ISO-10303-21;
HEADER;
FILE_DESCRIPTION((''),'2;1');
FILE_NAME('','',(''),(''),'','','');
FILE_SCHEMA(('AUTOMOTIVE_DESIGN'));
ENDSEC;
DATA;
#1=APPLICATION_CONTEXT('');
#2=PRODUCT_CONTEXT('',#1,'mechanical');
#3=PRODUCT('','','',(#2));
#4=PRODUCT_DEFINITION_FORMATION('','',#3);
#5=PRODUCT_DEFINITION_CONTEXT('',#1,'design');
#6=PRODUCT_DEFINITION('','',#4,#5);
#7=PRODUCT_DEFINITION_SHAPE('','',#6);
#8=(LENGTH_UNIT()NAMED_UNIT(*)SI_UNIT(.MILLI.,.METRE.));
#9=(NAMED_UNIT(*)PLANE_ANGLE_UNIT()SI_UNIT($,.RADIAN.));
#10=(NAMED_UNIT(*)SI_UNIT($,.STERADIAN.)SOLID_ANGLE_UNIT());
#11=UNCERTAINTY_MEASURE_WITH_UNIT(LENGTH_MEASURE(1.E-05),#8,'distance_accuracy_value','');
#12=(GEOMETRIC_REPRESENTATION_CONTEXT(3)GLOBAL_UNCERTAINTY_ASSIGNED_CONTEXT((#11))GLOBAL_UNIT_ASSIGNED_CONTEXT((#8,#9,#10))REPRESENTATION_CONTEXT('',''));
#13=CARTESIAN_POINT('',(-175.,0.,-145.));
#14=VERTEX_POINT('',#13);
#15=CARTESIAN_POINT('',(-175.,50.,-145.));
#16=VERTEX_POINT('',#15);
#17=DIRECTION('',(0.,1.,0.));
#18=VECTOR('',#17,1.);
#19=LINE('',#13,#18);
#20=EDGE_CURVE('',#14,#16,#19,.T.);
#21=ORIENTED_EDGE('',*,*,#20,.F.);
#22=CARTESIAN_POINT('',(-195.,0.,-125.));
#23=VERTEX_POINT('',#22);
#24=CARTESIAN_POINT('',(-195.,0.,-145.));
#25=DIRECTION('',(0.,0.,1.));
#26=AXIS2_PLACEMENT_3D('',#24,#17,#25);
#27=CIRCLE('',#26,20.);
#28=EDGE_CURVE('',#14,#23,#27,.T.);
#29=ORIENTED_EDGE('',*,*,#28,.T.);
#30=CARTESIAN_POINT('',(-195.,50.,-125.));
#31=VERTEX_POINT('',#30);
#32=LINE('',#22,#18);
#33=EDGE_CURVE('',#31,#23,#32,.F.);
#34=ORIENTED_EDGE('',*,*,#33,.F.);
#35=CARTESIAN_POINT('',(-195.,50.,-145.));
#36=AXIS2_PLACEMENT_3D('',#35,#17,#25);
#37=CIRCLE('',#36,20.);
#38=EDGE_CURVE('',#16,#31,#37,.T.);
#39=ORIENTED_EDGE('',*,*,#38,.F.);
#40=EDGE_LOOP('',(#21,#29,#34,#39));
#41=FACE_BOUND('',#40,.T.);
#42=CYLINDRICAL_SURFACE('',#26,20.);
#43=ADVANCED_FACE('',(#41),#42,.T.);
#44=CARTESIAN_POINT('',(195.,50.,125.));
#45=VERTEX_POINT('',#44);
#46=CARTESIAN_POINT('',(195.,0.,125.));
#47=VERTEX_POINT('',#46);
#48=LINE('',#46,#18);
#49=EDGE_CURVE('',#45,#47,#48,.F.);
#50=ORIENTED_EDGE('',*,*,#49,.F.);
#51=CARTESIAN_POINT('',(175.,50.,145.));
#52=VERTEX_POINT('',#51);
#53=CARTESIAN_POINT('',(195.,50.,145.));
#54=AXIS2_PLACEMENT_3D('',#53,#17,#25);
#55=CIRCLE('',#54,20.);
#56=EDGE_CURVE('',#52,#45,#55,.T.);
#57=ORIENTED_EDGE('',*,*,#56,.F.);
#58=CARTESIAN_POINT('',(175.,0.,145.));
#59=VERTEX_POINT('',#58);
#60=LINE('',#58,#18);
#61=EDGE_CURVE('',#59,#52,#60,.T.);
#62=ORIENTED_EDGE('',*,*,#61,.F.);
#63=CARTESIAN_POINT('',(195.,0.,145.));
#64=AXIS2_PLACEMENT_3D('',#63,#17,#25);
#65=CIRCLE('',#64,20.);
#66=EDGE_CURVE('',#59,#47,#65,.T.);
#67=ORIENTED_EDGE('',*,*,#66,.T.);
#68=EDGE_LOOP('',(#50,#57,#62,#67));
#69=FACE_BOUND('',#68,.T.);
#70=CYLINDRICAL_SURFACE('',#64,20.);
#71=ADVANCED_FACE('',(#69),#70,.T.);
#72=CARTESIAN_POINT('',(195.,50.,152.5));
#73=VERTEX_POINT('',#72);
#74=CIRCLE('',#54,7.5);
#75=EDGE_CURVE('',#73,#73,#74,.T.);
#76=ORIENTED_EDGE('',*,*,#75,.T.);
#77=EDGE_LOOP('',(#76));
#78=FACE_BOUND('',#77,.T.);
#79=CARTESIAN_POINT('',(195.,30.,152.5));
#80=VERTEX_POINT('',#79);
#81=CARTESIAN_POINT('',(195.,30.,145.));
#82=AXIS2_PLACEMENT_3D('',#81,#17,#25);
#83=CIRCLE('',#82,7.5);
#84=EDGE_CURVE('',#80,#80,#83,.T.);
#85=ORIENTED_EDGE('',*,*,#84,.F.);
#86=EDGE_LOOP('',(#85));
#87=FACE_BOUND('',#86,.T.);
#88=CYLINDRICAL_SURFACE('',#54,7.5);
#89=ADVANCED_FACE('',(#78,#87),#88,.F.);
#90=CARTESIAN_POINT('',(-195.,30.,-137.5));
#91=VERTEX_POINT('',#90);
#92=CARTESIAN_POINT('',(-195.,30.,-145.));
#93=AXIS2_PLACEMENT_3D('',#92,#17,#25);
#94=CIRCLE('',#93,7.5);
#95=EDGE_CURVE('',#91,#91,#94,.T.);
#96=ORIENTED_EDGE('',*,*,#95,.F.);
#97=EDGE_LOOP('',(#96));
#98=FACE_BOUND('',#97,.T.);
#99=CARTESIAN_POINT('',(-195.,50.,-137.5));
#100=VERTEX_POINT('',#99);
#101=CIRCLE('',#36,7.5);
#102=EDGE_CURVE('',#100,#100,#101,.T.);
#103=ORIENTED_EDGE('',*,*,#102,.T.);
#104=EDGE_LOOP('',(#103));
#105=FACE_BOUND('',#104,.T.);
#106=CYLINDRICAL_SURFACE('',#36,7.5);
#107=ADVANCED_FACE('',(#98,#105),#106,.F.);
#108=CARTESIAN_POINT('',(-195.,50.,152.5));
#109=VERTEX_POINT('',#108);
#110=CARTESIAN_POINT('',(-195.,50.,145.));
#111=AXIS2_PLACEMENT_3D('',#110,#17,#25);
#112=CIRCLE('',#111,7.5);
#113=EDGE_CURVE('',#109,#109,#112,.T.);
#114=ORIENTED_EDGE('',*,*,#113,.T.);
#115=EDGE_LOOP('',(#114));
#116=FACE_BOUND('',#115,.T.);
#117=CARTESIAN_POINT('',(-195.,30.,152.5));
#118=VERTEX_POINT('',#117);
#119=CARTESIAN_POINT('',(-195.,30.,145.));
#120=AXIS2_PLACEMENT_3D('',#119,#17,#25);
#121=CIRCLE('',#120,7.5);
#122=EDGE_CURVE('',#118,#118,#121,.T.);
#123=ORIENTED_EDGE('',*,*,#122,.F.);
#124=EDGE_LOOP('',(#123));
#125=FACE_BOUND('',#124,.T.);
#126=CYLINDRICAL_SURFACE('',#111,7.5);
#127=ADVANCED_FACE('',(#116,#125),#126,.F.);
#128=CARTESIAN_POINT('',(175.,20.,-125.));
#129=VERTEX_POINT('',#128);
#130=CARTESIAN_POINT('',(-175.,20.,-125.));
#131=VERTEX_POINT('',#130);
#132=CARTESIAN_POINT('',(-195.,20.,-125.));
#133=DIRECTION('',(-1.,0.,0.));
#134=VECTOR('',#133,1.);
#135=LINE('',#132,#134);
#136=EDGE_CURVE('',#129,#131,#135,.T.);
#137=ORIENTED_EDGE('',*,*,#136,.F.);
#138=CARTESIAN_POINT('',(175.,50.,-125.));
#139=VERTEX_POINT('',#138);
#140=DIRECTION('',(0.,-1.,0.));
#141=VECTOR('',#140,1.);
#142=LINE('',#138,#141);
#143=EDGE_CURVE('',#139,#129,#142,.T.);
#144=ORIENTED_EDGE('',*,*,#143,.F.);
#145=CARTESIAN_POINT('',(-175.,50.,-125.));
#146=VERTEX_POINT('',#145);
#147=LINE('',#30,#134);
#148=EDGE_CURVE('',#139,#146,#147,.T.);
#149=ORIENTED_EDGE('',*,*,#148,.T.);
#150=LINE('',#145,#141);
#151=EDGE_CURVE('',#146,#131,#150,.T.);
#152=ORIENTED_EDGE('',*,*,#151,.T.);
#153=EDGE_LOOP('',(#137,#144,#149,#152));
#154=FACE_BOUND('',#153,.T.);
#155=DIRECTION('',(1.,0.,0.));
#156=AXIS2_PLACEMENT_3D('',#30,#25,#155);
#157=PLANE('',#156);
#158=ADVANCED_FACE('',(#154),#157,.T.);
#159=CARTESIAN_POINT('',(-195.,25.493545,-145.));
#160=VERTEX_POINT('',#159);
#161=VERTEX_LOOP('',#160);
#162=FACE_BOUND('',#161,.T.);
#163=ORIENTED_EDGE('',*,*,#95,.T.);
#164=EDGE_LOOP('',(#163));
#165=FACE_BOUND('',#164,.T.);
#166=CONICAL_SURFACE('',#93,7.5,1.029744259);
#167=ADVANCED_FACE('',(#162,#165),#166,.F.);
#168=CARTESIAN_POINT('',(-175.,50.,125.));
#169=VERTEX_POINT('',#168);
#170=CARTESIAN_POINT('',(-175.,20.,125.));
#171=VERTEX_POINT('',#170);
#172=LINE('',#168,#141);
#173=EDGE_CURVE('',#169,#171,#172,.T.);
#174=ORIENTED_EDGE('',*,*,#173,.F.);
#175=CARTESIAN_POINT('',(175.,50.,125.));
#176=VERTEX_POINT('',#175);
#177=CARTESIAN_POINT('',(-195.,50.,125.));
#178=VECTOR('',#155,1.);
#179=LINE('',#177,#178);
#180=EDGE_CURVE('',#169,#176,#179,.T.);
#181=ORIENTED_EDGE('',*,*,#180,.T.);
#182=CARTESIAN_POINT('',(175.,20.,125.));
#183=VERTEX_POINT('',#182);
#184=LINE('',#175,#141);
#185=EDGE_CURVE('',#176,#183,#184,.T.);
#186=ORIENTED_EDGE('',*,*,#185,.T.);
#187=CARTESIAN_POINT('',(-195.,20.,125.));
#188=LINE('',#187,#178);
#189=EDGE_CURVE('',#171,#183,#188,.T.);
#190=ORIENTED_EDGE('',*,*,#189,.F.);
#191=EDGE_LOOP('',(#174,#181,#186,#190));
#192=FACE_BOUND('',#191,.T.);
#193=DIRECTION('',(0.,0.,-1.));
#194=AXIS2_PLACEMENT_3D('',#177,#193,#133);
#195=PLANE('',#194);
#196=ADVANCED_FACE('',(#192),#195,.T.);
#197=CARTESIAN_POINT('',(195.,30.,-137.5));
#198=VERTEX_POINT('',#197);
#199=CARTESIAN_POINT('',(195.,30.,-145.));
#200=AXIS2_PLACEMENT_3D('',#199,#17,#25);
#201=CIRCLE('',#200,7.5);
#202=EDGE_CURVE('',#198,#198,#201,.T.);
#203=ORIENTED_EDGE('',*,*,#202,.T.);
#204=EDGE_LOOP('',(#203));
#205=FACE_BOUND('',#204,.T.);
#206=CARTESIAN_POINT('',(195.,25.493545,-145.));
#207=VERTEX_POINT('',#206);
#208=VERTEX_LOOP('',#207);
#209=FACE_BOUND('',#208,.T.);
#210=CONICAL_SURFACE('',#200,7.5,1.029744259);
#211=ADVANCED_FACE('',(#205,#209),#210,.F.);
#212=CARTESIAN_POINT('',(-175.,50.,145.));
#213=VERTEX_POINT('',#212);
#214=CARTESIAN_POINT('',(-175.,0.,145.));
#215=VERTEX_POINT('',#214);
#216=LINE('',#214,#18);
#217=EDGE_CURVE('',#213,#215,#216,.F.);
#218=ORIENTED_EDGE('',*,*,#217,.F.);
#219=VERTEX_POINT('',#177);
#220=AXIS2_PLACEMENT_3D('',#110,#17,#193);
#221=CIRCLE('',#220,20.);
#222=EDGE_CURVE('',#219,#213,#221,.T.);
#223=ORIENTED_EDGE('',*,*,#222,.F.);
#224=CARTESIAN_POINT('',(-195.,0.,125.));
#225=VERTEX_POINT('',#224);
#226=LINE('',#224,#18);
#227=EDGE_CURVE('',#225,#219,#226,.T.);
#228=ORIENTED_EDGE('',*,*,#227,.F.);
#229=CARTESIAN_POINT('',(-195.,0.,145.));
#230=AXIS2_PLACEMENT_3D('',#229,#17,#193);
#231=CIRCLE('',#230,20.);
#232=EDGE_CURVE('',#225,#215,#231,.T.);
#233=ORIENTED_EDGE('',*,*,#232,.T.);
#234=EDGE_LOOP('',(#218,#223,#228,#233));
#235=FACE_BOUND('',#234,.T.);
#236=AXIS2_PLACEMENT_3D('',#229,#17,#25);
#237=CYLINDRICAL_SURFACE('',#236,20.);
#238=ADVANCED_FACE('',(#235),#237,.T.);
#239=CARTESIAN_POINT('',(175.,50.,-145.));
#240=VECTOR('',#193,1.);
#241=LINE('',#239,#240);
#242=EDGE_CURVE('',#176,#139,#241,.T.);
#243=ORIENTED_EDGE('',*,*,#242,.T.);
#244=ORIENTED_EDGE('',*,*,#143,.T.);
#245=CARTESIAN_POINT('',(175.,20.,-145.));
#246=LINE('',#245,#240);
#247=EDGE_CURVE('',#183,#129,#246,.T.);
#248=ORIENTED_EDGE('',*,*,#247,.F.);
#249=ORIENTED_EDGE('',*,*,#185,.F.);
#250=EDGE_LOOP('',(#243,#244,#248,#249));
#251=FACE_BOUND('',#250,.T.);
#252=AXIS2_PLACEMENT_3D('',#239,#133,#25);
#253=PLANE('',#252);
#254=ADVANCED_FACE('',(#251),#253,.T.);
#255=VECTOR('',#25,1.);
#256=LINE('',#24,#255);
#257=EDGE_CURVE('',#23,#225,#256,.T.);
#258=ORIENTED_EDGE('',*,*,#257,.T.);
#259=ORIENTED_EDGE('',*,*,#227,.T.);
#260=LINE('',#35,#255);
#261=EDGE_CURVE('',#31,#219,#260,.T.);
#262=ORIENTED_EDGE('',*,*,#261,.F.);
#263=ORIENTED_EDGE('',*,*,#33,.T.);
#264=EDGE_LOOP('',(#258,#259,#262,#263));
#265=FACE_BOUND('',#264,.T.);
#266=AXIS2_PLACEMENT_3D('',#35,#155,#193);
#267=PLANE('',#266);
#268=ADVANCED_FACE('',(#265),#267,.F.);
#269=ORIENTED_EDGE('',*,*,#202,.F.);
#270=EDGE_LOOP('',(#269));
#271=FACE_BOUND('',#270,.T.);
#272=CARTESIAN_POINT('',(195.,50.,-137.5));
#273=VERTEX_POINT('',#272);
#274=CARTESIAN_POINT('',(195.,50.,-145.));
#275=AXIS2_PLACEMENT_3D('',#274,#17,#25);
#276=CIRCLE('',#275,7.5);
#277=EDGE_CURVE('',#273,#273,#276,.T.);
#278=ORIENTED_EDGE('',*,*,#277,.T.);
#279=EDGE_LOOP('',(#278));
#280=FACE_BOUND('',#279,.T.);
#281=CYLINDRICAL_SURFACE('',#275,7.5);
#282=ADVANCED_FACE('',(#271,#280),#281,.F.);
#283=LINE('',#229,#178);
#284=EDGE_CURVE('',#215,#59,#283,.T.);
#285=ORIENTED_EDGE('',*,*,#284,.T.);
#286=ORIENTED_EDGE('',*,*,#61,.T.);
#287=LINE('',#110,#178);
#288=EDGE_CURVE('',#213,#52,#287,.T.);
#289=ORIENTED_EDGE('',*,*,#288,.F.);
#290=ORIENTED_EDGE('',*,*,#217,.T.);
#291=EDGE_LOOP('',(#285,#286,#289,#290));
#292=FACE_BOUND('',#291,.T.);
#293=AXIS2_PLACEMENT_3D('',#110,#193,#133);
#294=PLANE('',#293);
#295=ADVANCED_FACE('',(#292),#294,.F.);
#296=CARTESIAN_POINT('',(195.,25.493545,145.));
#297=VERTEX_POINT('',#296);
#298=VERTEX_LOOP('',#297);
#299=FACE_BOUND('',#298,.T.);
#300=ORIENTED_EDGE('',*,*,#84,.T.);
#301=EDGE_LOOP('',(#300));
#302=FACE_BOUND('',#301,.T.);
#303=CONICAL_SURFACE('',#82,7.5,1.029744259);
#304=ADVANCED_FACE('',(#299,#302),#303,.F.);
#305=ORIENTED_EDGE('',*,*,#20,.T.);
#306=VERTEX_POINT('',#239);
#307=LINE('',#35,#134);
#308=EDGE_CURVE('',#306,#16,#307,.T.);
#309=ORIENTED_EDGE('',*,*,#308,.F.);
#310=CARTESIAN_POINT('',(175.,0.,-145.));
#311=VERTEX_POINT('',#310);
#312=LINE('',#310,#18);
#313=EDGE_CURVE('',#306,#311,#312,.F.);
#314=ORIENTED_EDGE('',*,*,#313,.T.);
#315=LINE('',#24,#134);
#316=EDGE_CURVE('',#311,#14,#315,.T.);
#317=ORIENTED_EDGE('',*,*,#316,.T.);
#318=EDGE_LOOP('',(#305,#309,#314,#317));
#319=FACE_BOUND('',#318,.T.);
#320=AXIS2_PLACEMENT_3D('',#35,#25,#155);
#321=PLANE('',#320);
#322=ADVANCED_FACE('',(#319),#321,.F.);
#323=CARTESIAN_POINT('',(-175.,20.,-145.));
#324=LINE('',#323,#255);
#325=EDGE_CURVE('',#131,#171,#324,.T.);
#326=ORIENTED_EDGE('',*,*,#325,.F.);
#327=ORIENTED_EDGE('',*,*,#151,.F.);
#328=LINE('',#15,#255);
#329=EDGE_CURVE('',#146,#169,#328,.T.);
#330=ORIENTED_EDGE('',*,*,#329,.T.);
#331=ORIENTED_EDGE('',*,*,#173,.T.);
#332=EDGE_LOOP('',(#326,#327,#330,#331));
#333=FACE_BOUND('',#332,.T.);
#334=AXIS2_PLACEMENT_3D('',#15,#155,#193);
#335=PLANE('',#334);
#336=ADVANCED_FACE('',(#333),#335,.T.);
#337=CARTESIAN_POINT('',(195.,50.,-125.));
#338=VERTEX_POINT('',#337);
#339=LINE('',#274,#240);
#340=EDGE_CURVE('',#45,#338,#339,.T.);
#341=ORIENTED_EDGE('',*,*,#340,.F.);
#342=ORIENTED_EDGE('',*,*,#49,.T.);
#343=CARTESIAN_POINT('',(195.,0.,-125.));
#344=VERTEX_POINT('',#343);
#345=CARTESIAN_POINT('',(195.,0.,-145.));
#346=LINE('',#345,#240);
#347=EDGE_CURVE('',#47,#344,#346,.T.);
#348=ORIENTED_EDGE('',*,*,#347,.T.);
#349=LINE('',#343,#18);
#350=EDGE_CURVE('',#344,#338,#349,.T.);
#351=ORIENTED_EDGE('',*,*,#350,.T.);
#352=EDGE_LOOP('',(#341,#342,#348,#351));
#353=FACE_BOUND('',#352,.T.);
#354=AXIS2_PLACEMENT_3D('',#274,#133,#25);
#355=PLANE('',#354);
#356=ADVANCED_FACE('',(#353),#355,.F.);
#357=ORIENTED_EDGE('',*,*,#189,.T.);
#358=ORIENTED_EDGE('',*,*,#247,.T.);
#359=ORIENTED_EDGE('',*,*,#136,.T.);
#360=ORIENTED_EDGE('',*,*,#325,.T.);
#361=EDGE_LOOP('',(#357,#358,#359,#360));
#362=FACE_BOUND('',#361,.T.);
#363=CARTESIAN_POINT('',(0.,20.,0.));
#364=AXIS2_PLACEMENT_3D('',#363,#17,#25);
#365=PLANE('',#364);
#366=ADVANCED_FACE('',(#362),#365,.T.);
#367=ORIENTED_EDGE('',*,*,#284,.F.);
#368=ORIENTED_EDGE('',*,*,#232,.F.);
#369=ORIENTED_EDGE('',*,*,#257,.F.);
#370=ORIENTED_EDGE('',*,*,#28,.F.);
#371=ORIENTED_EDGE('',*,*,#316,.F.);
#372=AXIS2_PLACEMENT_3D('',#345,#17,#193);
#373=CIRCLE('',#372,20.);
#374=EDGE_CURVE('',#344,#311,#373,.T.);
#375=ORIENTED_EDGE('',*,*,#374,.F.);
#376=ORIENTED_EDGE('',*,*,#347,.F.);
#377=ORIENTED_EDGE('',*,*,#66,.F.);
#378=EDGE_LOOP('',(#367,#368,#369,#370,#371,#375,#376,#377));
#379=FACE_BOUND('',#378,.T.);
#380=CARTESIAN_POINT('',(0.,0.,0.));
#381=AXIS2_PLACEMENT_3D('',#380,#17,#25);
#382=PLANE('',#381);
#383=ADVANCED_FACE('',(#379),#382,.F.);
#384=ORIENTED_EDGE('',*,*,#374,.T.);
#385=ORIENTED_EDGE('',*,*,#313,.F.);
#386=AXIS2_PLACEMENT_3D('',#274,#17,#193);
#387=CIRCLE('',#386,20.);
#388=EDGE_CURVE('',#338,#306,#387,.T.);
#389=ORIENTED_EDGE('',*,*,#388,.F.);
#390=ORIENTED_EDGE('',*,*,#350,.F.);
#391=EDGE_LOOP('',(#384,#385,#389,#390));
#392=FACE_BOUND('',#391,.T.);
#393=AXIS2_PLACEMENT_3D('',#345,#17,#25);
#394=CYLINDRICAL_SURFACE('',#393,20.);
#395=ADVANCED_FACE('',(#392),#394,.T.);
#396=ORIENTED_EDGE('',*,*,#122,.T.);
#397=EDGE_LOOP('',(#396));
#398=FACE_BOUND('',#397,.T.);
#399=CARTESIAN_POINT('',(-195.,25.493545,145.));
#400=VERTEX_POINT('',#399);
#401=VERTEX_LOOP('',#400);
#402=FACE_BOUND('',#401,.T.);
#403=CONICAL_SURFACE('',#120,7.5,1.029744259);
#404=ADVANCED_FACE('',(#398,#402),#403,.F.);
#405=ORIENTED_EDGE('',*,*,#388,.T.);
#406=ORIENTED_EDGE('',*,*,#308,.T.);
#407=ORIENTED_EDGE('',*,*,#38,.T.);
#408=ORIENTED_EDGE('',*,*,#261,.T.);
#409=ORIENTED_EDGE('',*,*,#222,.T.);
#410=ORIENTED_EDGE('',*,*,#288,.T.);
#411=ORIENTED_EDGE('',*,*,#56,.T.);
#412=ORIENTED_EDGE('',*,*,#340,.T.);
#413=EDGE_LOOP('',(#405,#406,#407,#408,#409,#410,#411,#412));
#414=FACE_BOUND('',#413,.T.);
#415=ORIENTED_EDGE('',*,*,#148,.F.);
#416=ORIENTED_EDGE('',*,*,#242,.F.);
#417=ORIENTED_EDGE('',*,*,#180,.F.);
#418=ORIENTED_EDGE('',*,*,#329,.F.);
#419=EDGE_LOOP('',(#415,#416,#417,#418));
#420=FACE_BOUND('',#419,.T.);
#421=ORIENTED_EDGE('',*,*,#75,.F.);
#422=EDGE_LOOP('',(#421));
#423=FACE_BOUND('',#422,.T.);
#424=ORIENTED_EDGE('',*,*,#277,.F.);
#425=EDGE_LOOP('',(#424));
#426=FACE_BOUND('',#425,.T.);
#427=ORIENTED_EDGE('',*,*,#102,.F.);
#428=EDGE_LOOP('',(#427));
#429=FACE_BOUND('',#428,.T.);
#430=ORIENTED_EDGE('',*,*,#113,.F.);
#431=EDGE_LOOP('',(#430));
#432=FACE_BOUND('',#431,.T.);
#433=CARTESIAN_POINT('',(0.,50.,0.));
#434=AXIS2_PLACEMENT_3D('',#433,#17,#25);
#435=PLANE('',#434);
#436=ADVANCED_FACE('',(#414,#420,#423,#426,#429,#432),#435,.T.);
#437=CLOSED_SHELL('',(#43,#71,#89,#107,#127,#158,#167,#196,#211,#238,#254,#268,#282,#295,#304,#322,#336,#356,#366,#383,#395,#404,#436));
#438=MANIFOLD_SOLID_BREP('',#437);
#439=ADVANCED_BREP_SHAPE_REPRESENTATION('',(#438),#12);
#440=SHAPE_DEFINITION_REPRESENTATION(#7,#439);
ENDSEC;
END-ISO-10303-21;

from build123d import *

# Parameters (mm, degrees)
SKETCH2_W                      = 390
SKETCH2_H                      = 290
BOSS_EXTRUDE1_DEPTH            = 50
SHELL1_T                       = -20
SKETCH3_R                      = 20
BOSS_EXTRUDE2_DEPTH            = 50
F_15_0_15_DIAMETER_HOLE1_D     = 15
F_15_0_15_DIAMETER_HOLE1_DEPTH = 20
F_15_0_15_DIAMETER_HOLE1_TIP   = 4.506454643


with BuildPart() as part:
    # Sketch2 → Boss-Extrude1 (new body)
    with BuildSketch(Plane(origin=(0, 0, 0), x_dir=(1, 0, 0), z_dir=(0, 1, 0))):
        Rectangle(SKETCH2_W, SKETCH2_H)
    extrude(amount=BOSS_EXTRUDE1_DEPTH)

    # Shell1
    shell1_openings = [part.faces().sort_by_distance(p)[0] for p in [
        (0, 50, 0),
    ]]
    offset(amount=SHELL1_T, openings=shell1_openings, kind=Kind.INTERSECTION)

    # Sketch3 → Boss-Extrude2 (add)
    with BuildSketch(Plane(origin=(0, 50, 0), x_dir=(1, 0, 0), z_dir=(0, 1, 0))):
        with Locations((-195, 145)):
            Circle(SKETCH3_R)
        with Locations((195, 145)):
            Circle(SKETCH3_R)
        with Locations((195, -145)):
            Circle(SKETCH3_R)
        with Locations((-195, -145)):
            Circle(SKETCH3_R)
    extrude(amount=-BOSS_EXTRUDE2_DEPTH)

    # Ø15.0 (15) Diameter Hole1
    with Locations(Plane(origin=(0, 50, 0), x_dir=(1, 0, 0), z_dir=(0, 1, 0))):
        with Locations((-195, 145), (195, 145), (195, -145), (-195, -145)):
            Hole(F_15_0_15_DIAMETER_HOLE1_D / 2, depth=F_15_0_15_DIAMETER_HOLE1_DEPTH)
            with Locations((0, 0, -(F_15_0_15_DIAMETER_HOLE1_DEPTH + F_15_0_15_DIAMETER_HOLE1_TIP / 2))):  # 118° drill point
                Cone(0, F_15_0_15_DIAMETER_HOLE1_D / 2, F_15_0_15_DIAMETER_HOLE1_TIP, mode=Mode.SUBTRACT)


solid = part.part
